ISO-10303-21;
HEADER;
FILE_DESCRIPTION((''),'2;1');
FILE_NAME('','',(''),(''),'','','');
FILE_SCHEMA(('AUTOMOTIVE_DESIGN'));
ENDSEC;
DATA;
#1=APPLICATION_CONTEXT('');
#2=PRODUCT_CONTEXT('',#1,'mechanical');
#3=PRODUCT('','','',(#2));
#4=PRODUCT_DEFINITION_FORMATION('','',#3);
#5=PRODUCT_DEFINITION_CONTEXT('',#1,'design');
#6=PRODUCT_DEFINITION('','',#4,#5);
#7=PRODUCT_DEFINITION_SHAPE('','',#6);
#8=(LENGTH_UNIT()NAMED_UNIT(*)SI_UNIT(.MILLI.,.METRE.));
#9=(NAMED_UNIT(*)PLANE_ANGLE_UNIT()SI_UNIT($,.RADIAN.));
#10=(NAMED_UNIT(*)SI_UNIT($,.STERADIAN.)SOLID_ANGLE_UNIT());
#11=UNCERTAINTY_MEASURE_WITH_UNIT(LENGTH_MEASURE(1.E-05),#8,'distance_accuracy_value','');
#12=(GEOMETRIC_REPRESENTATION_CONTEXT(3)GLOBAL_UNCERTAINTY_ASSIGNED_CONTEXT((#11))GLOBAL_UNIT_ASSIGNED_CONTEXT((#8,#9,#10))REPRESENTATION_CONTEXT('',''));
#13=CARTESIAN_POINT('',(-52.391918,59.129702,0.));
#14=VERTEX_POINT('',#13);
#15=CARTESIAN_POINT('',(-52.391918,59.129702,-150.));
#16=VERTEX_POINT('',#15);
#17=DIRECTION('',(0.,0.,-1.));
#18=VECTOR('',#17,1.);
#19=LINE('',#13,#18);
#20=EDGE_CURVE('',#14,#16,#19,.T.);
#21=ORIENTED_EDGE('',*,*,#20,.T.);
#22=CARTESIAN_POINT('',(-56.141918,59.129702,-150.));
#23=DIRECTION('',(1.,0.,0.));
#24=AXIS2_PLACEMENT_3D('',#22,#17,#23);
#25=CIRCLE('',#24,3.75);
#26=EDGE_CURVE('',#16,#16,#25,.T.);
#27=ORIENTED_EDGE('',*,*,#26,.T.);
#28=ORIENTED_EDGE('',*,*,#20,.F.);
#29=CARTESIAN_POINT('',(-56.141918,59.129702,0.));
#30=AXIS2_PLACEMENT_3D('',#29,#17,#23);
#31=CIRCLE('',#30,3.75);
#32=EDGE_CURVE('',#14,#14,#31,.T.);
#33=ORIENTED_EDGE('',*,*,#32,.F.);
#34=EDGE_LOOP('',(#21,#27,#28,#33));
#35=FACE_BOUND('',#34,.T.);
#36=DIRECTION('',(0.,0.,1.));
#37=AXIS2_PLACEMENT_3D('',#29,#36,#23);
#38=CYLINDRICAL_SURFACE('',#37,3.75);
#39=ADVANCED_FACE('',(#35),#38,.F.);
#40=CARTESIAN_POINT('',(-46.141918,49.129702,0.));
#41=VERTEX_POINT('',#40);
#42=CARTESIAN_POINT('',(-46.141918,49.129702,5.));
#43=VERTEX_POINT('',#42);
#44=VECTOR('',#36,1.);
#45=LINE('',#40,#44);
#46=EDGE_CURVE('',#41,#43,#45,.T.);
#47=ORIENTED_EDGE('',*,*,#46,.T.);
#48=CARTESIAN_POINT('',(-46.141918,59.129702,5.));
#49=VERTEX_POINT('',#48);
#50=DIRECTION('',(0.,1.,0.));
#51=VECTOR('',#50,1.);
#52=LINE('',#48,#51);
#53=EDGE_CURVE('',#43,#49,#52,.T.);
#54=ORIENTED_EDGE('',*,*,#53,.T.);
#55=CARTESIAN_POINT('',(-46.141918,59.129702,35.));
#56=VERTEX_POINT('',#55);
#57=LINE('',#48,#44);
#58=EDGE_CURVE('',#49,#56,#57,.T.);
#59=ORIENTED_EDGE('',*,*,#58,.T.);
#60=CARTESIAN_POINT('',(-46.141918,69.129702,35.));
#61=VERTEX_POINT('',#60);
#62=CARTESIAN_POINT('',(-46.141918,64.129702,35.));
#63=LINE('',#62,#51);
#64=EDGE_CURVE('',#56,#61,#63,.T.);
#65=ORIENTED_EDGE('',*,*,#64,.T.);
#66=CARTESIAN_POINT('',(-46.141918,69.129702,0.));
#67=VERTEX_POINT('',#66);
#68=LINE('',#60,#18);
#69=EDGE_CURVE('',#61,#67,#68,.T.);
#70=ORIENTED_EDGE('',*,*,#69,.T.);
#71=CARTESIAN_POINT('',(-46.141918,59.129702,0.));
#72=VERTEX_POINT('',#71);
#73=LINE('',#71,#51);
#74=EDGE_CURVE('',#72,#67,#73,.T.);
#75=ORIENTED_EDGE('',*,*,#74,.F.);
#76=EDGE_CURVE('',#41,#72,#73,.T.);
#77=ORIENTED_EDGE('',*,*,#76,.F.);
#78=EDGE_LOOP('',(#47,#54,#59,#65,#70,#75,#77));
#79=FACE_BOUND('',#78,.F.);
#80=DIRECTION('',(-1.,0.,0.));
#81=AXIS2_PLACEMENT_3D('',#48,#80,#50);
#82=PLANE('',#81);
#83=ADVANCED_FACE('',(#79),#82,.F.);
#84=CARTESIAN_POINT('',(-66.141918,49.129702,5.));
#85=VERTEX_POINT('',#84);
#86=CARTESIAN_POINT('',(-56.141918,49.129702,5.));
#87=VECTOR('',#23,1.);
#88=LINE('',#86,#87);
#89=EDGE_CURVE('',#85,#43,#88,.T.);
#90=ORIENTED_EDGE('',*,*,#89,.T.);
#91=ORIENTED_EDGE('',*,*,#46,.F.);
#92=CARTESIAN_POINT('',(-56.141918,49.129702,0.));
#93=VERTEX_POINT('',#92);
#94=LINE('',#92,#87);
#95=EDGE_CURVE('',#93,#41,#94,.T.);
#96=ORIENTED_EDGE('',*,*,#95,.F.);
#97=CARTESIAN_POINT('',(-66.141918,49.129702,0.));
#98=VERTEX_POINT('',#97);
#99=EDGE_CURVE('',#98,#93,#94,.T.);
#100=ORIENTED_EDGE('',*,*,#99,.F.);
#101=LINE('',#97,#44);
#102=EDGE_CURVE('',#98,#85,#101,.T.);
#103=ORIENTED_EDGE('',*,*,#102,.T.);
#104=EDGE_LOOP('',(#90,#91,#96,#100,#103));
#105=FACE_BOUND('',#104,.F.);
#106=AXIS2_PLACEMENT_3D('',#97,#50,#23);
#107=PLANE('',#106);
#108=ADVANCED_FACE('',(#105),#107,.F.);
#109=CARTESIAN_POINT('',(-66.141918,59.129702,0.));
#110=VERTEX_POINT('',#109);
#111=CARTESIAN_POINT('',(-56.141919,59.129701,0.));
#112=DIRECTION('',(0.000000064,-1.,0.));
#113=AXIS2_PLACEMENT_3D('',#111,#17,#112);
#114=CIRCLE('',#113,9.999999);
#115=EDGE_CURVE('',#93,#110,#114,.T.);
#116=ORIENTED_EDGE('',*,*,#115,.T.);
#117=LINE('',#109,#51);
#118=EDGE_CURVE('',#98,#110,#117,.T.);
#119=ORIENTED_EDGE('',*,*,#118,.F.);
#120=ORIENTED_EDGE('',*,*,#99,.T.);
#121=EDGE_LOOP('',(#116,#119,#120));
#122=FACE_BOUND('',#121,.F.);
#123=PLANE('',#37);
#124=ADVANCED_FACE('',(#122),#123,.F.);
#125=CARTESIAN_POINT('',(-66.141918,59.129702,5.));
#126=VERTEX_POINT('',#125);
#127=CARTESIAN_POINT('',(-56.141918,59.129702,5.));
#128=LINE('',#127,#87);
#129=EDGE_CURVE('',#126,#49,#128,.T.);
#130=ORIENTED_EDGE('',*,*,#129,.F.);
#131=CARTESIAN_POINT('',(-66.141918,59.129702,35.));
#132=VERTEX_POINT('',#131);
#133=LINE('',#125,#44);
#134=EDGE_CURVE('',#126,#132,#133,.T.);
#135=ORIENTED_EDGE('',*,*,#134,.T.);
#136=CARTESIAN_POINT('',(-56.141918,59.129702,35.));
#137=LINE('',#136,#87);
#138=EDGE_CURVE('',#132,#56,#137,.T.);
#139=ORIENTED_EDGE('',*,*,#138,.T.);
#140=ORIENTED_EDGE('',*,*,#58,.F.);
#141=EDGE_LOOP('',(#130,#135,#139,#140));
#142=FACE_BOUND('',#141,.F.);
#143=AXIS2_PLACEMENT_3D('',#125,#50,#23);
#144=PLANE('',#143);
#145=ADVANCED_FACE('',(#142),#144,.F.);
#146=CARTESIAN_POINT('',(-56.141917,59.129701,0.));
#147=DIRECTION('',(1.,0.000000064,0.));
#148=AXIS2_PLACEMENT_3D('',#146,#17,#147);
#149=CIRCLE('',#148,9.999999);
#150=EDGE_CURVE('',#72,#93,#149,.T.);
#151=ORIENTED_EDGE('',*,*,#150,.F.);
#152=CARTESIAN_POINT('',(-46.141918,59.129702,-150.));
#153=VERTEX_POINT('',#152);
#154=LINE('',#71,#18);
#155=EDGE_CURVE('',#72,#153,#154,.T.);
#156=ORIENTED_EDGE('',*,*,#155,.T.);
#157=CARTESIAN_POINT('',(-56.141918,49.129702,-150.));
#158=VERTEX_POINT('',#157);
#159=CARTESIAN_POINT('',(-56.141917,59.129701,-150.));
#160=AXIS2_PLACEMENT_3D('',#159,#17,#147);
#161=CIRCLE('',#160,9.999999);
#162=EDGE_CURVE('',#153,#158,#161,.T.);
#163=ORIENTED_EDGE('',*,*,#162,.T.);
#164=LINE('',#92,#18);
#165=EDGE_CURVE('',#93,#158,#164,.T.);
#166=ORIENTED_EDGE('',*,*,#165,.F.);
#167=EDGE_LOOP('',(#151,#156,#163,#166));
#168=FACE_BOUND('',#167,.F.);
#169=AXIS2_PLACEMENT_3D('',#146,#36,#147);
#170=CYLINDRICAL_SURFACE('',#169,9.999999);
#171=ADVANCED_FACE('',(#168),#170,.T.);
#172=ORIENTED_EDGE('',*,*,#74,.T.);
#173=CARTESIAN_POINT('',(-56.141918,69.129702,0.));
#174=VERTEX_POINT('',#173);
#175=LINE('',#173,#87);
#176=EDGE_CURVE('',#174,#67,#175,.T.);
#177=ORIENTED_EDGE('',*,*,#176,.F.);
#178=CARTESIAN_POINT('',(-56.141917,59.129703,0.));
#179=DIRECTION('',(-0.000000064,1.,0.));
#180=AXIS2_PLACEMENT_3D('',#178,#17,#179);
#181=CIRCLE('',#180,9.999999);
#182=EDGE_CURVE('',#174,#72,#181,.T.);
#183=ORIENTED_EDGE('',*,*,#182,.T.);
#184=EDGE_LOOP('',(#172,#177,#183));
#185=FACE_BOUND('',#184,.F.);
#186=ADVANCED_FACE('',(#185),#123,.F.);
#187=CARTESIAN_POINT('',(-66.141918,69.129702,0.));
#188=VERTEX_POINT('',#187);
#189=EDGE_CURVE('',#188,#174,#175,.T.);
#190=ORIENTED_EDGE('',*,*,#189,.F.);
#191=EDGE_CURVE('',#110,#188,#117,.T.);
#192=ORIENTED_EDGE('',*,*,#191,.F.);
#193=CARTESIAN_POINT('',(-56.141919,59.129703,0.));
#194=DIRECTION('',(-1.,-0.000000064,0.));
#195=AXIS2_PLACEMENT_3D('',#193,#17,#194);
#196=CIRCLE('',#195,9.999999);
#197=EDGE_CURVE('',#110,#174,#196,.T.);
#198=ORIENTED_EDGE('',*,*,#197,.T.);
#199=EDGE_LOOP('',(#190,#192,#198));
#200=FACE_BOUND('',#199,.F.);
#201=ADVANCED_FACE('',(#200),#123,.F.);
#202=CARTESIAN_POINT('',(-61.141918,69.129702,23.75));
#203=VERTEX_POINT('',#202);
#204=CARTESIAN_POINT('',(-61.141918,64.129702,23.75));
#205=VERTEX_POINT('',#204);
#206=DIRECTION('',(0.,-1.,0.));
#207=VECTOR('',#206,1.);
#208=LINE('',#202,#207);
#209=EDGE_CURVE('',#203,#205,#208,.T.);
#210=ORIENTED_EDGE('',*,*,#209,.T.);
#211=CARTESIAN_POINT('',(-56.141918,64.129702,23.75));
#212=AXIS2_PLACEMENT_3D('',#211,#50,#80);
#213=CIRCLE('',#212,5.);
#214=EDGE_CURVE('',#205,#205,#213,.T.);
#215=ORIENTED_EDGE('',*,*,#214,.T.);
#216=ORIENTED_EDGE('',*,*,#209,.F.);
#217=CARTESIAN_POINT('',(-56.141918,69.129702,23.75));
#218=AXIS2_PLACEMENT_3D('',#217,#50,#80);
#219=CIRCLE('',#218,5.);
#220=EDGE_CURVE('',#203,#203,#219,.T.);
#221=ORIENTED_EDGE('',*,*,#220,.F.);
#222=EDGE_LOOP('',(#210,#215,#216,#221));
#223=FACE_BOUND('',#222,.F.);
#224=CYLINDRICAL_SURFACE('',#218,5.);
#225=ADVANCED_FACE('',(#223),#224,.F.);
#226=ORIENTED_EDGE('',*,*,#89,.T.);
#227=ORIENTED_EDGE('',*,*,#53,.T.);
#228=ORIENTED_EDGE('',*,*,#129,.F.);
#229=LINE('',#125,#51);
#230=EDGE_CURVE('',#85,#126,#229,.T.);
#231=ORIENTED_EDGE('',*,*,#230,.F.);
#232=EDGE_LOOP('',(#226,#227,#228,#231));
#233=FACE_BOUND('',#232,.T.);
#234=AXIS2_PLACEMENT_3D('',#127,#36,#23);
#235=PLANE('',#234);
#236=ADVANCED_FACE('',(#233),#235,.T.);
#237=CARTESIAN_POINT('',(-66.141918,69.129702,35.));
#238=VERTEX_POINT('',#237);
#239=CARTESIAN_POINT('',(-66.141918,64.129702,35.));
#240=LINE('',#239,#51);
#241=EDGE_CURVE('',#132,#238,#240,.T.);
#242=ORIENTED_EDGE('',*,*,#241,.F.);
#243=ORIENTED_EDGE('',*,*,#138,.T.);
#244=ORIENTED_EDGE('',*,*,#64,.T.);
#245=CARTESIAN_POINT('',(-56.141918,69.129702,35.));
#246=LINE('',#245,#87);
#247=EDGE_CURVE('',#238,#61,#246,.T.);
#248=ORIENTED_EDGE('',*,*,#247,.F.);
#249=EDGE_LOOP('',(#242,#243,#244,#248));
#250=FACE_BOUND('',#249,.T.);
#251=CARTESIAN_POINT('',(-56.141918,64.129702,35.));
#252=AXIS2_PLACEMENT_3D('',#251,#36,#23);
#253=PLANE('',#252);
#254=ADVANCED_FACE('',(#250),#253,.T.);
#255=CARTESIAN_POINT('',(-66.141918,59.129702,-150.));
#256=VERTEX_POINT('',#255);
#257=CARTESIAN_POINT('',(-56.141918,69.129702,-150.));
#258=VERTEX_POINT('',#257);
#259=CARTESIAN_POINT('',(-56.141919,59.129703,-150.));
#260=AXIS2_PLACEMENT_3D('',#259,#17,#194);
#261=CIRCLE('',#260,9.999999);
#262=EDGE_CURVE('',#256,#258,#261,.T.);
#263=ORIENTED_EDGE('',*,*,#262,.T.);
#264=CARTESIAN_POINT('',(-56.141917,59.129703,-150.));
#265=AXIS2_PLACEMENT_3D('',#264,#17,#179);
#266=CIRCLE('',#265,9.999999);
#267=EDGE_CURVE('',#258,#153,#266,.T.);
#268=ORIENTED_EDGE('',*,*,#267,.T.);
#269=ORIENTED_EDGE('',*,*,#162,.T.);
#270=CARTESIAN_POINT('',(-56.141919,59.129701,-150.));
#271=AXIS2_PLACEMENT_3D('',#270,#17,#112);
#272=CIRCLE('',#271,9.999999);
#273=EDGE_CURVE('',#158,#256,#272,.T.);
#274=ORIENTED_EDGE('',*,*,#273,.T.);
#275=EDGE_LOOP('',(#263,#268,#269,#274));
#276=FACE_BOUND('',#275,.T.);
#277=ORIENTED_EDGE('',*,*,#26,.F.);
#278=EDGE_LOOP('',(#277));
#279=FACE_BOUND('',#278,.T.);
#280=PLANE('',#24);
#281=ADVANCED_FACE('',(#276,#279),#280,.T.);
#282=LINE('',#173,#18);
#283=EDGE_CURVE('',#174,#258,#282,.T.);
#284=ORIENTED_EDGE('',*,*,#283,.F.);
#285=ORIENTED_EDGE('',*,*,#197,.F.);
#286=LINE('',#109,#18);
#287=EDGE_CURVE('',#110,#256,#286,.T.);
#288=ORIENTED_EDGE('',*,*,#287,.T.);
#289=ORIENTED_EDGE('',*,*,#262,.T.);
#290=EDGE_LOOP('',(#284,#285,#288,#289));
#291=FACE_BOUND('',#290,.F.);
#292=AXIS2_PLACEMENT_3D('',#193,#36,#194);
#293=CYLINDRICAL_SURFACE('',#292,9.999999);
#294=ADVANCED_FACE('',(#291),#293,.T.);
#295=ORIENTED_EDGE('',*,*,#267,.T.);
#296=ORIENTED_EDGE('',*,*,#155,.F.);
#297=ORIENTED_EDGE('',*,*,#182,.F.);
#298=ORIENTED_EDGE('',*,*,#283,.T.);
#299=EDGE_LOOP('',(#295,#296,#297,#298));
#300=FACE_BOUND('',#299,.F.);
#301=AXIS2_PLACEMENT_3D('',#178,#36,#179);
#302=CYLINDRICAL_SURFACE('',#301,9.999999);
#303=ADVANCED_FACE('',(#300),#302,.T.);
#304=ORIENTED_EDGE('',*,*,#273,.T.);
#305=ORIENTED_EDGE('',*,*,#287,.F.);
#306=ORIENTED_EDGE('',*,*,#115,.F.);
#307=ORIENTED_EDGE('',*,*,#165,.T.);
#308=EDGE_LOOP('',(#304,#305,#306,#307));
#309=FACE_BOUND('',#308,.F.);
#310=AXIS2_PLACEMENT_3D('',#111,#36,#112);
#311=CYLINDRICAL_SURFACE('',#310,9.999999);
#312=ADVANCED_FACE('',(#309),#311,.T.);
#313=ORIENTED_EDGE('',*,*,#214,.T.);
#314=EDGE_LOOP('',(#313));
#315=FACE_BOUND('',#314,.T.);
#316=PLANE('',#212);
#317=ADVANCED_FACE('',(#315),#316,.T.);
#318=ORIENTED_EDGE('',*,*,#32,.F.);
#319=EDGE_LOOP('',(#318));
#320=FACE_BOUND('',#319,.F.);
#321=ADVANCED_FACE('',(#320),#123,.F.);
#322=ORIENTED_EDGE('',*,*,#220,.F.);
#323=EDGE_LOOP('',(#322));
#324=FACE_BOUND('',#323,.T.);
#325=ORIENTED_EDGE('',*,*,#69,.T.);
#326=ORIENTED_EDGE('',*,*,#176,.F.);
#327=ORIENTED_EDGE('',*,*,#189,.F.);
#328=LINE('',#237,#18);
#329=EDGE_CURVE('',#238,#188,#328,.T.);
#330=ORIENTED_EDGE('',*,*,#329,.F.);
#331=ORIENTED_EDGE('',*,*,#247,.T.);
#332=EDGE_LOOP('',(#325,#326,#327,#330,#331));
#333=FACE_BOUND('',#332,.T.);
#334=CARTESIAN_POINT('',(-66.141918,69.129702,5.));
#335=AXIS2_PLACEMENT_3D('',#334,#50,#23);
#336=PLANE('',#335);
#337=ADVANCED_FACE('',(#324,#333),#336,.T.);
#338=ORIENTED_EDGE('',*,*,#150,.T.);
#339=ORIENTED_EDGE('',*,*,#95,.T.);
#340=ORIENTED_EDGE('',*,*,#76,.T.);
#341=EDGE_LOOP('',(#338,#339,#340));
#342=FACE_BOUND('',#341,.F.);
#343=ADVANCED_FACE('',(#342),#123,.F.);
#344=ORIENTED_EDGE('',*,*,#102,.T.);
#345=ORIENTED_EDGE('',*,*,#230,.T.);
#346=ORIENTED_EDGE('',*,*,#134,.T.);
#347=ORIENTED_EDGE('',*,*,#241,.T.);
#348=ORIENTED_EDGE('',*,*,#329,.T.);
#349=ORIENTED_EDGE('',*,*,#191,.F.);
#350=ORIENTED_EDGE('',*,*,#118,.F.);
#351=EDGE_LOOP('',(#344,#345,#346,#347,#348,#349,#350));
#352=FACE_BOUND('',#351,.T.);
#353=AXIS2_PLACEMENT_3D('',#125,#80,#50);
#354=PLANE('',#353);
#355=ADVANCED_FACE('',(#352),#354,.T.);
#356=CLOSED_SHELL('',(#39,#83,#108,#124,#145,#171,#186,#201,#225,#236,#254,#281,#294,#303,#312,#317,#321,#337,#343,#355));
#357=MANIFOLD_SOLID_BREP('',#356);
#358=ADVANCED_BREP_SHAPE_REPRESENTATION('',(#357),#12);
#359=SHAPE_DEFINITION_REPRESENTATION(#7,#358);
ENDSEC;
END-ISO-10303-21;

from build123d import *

# Parameters (mm, degrees)
F0_W     = 20
F0_H     = 20
F1_DEPTH = 5
F2_R     = 3.75
F3_DEPTH = 150
F4_W     = 20
F4_H     = 10
F5_DEPTH = 30
F6_R     = 5
F7_DEPTH = 5


with BuildPart() as f1:
    # F0 (on Top) → F1 (new body)
    with BuildSketch(Plane.XY):
        with Locations((-56.141918, 59.129702)):
            Rectangle(F0_W, F0_H)
    extrude(amount=F1_DEPTH)

    # F2 (on face) → F3 (join)
    with BuildSketch(Plane(origin=(0, 0, 0), x_dir=(1, 0, 0), z_dir=(0, 0, -1))):
        with BuildLine():
            ThreePointArc((-56.141918, -69.129702), (-49.07085, -66.20077), (-46.141918, -59.129702))
            ThreePointArc((-46.141918, -59.129702), (-49.07085, -52.058634), (-56.141918, -49.129702))
            ThreePointArc((-56.141918, -49.129702), (-63.212986, -52.058634), (-66.141918, -59.129702))
            ThreePointArc((-66.141918, -59.129702), (-63.212986, -66.20077), (-56.141918, -69.129702))
        make_face()
        with Locations((-56.141918, -59.129702)):
            Circle(F2_R, mode=Mode.SUBTRACT)
    extrude(amount=F3_DEPTH)

    # F4 (on face) → F5 (join)
    with BuildSketch(Plane.XY.offset(5)):
        with Locations((-56.141918, 64.129702)):
            Rectangle(F4_W, F4_H)
    extrude(amount=F5_DEPTH)

    # F6 (on face) → F7 (cut)
    with BuildSketch(Plane(origin=(0, 69.129702, 0), x_dir=(-1, 0, 0), z_dir=(0, 1, 0))):
        with Locations((56.141918, 23.75)):
            Circle(F6_R)
    extrude(amount=-F7_DEPTH, mode=Mode.SUBTRACT)


solid = f1.part
